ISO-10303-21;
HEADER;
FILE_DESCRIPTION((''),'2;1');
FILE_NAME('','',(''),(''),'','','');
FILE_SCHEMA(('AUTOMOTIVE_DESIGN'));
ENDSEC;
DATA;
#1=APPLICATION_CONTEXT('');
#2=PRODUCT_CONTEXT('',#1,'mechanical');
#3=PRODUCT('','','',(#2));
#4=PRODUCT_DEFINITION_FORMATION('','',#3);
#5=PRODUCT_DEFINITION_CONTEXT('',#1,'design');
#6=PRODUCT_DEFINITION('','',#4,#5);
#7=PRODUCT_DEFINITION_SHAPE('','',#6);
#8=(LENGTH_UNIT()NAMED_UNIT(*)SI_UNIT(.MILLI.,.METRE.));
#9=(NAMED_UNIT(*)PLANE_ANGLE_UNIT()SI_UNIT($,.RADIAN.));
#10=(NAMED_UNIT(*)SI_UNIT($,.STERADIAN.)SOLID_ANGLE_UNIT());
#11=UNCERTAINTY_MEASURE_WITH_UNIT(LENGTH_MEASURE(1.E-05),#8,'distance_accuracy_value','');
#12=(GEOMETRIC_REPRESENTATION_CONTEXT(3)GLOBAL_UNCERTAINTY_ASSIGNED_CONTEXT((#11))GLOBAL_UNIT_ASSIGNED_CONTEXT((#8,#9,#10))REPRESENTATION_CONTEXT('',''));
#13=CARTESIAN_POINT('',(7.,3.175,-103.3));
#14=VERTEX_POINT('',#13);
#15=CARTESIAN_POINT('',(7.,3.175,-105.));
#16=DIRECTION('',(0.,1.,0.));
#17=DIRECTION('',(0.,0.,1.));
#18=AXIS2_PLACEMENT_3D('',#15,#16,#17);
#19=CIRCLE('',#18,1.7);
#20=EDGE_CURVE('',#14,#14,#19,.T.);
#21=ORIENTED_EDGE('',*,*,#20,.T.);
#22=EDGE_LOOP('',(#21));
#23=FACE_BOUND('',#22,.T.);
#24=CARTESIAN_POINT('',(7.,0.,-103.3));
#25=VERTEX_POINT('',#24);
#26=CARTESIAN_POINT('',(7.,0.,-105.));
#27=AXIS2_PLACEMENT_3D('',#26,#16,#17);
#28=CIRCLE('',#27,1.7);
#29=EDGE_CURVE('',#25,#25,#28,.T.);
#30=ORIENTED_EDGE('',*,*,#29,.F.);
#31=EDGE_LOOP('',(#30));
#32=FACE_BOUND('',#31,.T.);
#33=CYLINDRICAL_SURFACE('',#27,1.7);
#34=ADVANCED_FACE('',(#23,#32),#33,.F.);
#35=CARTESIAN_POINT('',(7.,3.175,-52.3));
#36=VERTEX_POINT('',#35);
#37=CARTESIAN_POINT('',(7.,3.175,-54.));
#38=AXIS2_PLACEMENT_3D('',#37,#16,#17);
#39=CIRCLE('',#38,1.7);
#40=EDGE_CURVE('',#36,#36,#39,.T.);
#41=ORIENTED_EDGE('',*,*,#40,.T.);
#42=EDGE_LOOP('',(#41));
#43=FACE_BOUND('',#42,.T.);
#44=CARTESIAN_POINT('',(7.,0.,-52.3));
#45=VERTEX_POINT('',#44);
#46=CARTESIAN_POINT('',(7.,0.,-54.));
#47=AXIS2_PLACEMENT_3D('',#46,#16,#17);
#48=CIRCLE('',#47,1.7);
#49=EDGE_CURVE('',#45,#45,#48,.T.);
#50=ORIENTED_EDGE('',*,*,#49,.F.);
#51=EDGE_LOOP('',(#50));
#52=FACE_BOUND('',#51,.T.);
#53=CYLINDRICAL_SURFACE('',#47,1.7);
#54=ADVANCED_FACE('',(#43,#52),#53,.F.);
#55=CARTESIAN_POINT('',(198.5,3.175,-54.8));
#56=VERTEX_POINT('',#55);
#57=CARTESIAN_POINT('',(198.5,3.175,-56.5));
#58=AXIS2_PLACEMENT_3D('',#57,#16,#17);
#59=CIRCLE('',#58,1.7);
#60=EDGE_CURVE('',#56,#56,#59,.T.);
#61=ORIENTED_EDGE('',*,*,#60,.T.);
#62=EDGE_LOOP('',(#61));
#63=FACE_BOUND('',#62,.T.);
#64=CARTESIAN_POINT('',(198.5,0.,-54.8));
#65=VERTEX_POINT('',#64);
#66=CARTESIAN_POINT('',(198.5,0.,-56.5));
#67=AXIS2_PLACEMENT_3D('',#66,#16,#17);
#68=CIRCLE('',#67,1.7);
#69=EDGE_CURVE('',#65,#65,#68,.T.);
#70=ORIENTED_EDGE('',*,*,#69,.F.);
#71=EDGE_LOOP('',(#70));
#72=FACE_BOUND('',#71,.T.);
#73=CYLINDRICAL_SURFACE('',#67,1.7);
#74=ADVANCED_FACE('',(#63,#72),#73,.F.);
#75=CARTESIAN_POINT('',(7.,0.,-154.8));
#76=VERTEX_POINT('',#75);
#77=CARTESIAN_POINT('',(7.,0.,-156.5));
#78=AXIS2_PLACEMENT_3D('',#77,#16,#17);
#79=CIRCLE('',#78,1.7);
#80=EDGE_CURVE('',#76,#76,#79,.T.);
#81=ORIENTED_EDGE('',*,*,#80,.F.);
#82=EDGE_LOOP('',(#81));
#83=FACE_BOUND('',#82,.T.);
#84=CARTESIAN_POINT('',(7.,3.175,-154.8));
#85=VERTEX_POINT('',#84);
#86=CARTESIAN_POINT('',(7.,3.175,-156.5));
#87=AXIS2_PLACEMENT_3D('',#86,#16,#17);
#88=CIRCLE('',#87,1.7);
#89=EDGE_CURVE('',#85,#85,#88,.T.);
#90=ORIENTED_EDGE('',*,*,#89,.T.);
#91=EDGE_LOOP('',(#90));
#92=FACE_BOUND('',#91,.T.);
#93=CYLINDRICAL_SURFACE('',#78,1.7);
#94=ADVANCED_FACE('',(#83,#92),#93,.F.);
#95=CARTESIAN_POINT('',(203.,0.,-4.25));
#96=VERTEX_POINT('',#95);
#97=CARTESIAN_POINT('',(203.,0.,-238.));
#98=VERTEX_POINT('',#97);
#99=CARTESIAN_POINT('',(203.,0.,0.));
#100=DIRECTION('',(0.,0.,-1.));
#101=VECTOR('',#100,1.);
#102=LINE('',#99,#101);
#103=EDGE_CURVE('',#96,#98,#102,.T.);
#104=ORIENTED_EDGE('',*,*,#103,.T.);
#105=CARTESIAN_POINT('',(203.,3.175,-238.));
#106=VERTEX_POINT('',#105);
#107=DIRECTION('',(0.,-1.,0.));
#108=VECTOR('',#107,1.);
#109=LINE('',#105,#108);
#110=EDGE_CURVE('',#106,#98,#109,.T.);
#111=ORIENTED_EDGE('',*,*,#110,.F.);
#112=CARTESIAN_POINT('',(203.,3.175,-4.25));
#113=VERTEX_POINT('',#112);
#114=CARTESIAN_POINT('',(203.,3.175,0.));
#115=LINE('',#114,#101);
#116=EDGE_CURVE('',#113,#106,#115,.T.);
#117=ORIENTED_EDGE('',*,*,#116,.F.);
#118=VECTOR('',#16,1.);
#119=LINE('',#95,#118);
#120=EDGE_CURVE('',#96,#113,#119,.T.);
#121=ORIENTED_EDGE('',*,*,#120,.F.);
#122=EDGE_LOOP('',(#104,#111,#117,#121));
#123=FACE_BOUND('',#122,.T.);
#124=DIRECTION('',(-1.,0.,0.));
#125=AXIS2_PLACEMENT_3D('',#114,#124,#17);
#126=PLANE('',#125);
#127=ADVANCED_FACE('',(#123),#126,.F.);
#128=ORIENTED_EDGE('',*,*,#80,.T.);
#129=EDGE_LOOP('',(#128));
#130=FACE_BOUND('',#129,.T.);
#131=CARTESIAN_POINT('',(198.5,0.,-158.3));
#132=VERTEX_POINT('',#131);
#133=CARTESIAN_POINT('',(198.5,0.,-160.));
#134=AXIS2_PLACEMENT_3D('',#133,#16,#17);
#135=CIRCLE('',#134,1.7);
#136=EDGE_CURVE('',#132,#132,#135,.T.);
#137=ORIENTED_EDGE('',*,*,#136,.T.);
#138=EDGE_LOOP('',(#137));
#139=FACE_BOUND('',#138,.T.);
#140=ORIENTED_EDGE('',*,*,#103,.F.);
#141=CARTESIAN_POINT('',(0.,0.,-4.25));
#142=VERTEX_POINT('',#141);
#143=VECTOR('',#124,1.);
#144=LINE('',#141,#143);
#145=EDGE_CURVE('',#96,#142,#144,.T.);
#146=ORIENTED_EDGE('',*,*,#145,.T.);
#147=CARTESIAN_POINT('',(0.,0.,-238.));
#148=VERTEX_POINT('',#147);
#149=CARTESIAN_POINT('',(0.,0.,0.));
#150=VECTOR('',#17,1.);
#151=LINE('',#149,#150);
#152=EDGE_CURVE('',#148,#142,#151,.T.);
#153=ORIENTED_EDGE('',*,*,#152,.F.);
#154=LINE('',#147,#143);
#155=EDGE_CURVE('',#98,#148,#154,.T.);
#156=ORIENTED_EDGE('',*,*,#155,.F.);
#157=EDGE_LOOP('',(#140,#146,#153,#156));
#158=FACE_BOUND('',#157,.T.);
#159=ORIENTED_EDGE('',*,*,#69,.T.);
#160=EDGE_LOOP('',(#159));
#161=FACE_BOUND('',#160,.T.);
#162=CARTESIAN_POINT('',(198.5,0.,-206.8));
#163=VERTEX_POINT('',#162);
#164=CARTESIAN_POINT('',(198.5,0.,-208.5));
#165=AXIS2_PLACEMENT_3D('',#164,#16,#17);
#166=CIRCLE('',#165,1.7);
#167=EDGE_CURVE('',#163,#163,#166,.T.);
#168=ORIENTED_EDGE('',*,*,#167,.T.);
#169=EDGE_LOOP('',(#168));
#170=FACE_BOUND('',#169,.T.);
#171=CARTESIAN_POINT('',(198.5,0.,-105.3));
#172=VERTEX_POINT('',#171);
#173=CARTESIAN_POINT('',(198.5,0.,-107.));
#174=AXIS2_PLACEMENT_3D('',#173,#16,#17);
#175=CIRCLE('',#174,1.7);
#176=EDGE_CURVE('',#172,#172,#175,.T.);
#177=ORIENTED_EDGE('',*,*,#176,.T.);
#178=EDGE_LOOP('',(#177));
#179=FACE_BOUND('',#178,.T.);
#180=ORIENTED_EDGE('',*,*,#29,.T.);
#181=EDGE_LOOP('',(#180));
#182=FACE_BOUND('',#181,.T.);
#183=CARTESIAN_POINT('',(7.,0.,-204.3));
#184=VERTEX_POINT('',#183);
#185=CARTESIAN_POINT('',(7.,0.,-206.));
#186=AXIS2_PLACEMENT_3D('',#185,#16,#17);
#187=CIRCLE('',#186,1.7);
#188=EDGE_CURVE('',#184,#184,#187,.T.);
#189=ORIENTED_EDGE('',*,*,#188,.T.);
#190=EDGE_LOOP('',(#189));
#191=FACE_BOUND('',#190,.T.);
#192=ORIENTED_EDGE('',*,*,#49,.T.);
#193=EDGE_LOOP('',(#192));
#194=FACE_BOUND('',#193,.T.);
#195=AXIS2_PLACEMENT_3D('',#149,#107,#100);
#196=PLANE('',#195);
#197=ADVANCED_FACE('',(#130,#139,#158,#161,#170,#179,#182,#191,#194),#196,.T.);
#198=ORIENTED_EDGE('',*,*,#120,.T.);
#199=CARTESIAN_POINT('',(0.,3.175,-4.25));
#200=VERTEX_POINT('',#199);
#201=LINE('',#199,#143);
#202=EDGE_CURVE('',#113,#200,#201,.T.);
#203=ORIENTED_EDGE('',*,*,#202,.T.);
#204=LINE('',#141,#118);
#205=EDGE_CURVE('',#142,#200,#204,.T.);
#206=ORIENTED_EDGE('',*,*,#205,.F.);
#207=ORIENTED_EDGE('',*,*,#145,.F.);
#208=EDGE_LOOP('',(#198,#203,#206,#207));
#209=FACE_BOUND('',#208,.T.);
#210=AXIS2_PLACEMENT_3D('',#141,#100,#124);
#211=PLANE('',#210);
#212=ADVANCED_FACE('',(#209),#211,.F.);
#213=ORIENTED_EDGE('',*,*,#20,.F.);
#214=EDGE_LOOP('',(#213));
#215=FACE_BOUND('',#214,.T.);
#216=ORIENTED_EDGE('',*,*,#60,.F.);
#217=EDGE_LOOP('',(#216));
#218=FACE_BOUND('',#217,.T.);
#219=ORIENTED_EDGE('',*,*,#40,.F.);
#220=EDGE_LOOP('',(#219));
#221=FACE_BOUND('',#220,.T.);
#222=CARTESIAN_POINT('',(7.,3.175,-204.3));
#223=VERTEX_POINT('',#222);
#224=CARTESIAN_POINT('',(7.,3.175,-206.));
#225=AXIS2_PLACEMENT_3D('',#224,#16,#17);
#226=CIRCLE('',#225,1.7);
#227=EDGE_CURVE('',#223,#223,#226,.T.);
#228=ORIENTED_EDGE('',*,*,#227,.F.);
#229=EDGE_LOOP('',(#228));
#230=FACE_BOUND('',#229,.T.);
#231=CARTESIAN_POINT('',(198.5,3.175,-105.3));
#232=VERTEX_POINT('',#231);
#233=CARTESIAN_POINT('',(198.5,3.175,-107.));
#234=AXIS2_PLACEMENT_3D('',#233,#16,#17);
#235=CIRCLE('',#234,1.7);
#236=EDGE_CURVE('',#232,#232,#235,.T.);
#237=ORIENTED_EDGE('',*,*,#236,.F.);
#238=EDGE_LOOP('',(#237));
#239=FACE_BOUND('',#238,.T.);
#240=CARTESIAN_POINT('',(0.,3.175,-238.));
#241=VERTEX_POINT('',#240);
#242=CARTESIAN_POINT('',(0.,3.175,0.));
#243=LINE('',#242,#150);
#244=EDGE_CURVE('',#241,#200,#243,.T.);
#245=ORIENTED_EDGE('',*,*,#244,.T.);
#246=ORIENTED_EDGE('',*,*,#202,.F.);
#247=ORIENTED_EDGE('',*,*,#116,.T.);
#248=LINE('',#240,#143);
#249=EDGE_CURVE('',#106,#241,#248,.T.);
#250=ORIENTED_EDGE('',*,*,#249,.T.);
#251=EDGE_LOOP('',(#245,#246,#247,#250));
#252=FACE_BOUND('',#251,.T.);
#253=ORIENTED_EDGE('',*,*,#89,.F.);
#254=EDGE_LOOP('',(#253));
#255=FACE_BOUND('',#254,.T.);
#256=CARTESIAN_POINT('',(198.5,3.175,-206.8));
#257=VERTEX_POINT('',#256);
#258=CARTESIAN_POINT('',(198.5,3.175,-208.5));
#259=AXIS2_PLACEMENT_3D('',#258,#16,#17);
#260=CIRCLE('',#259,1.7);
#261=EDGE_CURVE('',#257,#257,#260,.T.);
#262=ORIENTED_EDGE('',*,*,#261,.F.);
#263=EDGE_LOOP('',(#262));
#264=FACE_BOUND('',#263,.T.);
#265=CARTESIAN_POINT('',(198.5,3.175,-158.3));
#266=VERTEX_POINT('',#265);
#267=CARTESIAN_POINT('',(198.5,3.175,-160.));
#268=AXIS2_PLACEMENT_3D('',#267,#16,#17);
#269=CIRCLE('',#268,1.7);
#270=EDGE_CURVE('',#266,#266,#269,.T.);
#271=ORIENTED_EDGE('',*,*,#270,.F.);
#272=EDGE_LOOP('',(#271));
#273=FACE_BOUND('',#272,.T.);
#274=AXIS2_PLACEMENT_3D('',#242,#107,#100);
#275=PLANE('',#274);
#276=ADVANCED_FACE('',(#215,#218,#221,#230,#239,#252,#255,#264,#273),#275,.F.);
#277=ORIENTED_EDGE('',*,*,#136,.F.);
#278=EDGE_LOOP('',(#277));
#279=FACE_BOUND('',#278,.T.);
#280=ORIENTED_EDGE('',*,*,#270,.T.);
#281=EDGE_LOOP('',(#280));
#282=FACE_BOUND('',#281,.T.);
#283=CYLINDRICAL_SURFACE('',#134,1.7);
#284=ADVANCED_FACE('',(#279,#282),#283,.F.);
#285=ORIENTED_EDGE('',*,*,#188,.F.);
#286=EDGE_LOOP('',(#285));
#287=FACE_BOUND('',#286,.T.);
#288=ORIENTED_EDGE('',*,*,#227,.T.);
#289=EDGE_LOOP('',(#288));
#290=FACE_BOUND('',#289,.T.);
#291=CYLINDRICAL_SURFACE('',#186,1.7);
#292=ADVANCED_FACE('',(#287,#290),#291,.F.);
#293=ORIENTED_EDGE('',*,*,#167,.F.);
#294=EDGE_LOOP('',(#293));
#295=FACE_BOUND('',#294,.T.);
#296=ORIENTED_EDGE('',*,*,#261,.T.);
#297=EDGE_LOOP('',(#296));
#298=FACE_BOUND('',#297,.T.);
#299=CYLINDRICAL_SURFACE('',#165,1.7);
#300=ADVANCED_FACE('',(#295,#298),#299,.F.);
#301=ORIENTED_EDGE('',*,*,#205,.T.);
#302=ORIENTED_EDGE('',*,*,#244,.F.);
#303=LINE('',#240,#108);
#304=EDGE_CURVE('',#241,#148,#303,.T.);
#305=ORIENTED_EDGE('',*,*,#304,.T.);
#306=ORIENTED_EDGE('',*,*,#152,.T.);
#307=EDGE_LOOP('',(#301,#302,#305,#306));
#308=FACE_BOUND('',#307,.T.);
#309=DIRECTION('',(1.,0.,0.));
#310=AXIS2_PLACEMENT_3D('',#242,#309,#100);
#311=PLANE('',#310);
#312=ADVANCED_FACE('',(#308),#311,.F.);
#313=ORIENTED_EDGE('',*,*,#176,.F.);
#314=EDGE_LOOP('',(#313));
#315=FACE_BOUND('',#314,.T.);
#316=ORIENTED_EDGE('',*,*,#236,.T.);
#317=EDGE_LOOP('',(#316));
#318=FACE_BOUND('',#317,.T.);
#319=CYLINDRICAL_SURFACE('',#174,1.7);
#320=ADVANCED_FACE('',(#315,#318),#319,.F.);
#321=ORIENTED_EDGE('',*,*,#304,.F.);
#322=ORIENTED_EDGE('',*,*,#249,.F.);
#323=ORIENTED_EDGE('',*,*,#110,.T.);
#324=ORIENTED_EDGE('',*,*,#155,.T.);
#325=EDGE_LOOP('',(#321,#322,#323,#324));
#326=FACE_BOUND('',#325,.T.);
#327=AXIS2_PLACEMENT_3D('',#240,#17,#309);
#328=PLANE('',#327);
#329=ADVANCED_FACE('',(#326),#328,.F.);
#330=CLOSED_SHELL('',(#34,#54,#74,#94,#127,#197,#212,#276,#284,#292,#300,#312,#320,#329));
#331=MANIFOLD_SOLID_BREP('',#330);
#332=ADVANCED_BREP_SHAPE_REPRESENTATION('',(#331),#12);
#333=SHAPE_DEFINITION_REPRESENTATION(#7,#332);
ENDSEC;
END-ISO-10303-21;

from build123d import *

# Parameters (mm, degrees)
SKETCH1_W           = 203
SKETCH1_H           = 238
BOSS_EXTRUDE1_DEPTH = 3.175
SKETCH2_R           = 1.7
CUT_EXTRUDE1_DEPTH  = 313.830753963
SKETCH3_R           = 1.7
CUT_EXTRUDE2_DEPTH  = 313.830753963
SKETCH4_W           = 203
SKETCH4_H           = 4.25
CUT_EXTRUDE3_DEPTH  = 313.830753963


with BuildPart() as part:
    # Sketch1 → Boss-Extrude1 (new body)
    with BuildSketch(Plane(origin=(0, 0, 0), x_dir=(1, 0, 0), z_dir=(0, 1, 0))):
        with Locations((101.5, 119)):
            Rectangle(SKETCH1_W, SKETCH1_H)
    extrude(amount=BOSS_EXTRUDE1_DEPTH)

    # Sketch2 → Cut-Extrude1 (cut, through all)
    with BuildSketch(Plane(origin=(0, 3.175, 0), x_dir=(1, 0, 0), z_dir=(0, 1, 0))):
        with Locations(Location((7, 206, 0), (0, 0, 270))):
            Circle(SKETCH2_R)
        with Locations(Location((7, 156.5, 0), (0, 0, 270))):
            Circle(SKETCH2_R)
        with Locations(Location((7, 105, 0), (0, 0, 270))):
            Circle(SKETCH2_R)
        with Locations(Location((7, 54, 0), (0, 0, 270))):
            Circle(SKETCH2_R)
    extrude(amount=-CUT_EXTRUDE1_DEPTH, mode=Mode.SUBTRACT)

    # Sketch3 → Cut-Extrude2 (cut, through all)
    with BuildSketch(Plane(origin=(0, 3.175, 0), x_dir=(1, 0, 0), z_dir=(0, 1, 0))):
        with Locations(Location((198.5, 208.5, 0), (0, 0, 270))):
            Circle(SKETCH3_R)
        with Locations(Location((198.5, 160, 0), (0, 0, 270))):
            Circle(SKETCH3_R)
        with Locations(Location((198.5, 107, 0), (0, 0, 270))):
            Circle(SKETCH3_R)
        with Locations(Location((198.5, 56.5, 0), (0, 0, 270))):
            Circle(SKETCH3_R)
    extrude(amount=-CUT_EXTRUDE2_DEPTH, mode=Mode.SUBTRACT)

    # Sketch4 → Cut-Extrude3 (cut, through all)
    with BuildSketch(Plane(origin=(0, 3.175, 0), x_dir=(1, 0, 0), z_dir=(0, 1, 0))):
        with Locations((101.5, 2.125)):
            Rectangle(SKETCH4_W, SKETCH4_H)
    extrude(amount=-CUT_EXTRUDE3_DEPTH, mode=Mode.SUBTRACT)


solid = part.part
